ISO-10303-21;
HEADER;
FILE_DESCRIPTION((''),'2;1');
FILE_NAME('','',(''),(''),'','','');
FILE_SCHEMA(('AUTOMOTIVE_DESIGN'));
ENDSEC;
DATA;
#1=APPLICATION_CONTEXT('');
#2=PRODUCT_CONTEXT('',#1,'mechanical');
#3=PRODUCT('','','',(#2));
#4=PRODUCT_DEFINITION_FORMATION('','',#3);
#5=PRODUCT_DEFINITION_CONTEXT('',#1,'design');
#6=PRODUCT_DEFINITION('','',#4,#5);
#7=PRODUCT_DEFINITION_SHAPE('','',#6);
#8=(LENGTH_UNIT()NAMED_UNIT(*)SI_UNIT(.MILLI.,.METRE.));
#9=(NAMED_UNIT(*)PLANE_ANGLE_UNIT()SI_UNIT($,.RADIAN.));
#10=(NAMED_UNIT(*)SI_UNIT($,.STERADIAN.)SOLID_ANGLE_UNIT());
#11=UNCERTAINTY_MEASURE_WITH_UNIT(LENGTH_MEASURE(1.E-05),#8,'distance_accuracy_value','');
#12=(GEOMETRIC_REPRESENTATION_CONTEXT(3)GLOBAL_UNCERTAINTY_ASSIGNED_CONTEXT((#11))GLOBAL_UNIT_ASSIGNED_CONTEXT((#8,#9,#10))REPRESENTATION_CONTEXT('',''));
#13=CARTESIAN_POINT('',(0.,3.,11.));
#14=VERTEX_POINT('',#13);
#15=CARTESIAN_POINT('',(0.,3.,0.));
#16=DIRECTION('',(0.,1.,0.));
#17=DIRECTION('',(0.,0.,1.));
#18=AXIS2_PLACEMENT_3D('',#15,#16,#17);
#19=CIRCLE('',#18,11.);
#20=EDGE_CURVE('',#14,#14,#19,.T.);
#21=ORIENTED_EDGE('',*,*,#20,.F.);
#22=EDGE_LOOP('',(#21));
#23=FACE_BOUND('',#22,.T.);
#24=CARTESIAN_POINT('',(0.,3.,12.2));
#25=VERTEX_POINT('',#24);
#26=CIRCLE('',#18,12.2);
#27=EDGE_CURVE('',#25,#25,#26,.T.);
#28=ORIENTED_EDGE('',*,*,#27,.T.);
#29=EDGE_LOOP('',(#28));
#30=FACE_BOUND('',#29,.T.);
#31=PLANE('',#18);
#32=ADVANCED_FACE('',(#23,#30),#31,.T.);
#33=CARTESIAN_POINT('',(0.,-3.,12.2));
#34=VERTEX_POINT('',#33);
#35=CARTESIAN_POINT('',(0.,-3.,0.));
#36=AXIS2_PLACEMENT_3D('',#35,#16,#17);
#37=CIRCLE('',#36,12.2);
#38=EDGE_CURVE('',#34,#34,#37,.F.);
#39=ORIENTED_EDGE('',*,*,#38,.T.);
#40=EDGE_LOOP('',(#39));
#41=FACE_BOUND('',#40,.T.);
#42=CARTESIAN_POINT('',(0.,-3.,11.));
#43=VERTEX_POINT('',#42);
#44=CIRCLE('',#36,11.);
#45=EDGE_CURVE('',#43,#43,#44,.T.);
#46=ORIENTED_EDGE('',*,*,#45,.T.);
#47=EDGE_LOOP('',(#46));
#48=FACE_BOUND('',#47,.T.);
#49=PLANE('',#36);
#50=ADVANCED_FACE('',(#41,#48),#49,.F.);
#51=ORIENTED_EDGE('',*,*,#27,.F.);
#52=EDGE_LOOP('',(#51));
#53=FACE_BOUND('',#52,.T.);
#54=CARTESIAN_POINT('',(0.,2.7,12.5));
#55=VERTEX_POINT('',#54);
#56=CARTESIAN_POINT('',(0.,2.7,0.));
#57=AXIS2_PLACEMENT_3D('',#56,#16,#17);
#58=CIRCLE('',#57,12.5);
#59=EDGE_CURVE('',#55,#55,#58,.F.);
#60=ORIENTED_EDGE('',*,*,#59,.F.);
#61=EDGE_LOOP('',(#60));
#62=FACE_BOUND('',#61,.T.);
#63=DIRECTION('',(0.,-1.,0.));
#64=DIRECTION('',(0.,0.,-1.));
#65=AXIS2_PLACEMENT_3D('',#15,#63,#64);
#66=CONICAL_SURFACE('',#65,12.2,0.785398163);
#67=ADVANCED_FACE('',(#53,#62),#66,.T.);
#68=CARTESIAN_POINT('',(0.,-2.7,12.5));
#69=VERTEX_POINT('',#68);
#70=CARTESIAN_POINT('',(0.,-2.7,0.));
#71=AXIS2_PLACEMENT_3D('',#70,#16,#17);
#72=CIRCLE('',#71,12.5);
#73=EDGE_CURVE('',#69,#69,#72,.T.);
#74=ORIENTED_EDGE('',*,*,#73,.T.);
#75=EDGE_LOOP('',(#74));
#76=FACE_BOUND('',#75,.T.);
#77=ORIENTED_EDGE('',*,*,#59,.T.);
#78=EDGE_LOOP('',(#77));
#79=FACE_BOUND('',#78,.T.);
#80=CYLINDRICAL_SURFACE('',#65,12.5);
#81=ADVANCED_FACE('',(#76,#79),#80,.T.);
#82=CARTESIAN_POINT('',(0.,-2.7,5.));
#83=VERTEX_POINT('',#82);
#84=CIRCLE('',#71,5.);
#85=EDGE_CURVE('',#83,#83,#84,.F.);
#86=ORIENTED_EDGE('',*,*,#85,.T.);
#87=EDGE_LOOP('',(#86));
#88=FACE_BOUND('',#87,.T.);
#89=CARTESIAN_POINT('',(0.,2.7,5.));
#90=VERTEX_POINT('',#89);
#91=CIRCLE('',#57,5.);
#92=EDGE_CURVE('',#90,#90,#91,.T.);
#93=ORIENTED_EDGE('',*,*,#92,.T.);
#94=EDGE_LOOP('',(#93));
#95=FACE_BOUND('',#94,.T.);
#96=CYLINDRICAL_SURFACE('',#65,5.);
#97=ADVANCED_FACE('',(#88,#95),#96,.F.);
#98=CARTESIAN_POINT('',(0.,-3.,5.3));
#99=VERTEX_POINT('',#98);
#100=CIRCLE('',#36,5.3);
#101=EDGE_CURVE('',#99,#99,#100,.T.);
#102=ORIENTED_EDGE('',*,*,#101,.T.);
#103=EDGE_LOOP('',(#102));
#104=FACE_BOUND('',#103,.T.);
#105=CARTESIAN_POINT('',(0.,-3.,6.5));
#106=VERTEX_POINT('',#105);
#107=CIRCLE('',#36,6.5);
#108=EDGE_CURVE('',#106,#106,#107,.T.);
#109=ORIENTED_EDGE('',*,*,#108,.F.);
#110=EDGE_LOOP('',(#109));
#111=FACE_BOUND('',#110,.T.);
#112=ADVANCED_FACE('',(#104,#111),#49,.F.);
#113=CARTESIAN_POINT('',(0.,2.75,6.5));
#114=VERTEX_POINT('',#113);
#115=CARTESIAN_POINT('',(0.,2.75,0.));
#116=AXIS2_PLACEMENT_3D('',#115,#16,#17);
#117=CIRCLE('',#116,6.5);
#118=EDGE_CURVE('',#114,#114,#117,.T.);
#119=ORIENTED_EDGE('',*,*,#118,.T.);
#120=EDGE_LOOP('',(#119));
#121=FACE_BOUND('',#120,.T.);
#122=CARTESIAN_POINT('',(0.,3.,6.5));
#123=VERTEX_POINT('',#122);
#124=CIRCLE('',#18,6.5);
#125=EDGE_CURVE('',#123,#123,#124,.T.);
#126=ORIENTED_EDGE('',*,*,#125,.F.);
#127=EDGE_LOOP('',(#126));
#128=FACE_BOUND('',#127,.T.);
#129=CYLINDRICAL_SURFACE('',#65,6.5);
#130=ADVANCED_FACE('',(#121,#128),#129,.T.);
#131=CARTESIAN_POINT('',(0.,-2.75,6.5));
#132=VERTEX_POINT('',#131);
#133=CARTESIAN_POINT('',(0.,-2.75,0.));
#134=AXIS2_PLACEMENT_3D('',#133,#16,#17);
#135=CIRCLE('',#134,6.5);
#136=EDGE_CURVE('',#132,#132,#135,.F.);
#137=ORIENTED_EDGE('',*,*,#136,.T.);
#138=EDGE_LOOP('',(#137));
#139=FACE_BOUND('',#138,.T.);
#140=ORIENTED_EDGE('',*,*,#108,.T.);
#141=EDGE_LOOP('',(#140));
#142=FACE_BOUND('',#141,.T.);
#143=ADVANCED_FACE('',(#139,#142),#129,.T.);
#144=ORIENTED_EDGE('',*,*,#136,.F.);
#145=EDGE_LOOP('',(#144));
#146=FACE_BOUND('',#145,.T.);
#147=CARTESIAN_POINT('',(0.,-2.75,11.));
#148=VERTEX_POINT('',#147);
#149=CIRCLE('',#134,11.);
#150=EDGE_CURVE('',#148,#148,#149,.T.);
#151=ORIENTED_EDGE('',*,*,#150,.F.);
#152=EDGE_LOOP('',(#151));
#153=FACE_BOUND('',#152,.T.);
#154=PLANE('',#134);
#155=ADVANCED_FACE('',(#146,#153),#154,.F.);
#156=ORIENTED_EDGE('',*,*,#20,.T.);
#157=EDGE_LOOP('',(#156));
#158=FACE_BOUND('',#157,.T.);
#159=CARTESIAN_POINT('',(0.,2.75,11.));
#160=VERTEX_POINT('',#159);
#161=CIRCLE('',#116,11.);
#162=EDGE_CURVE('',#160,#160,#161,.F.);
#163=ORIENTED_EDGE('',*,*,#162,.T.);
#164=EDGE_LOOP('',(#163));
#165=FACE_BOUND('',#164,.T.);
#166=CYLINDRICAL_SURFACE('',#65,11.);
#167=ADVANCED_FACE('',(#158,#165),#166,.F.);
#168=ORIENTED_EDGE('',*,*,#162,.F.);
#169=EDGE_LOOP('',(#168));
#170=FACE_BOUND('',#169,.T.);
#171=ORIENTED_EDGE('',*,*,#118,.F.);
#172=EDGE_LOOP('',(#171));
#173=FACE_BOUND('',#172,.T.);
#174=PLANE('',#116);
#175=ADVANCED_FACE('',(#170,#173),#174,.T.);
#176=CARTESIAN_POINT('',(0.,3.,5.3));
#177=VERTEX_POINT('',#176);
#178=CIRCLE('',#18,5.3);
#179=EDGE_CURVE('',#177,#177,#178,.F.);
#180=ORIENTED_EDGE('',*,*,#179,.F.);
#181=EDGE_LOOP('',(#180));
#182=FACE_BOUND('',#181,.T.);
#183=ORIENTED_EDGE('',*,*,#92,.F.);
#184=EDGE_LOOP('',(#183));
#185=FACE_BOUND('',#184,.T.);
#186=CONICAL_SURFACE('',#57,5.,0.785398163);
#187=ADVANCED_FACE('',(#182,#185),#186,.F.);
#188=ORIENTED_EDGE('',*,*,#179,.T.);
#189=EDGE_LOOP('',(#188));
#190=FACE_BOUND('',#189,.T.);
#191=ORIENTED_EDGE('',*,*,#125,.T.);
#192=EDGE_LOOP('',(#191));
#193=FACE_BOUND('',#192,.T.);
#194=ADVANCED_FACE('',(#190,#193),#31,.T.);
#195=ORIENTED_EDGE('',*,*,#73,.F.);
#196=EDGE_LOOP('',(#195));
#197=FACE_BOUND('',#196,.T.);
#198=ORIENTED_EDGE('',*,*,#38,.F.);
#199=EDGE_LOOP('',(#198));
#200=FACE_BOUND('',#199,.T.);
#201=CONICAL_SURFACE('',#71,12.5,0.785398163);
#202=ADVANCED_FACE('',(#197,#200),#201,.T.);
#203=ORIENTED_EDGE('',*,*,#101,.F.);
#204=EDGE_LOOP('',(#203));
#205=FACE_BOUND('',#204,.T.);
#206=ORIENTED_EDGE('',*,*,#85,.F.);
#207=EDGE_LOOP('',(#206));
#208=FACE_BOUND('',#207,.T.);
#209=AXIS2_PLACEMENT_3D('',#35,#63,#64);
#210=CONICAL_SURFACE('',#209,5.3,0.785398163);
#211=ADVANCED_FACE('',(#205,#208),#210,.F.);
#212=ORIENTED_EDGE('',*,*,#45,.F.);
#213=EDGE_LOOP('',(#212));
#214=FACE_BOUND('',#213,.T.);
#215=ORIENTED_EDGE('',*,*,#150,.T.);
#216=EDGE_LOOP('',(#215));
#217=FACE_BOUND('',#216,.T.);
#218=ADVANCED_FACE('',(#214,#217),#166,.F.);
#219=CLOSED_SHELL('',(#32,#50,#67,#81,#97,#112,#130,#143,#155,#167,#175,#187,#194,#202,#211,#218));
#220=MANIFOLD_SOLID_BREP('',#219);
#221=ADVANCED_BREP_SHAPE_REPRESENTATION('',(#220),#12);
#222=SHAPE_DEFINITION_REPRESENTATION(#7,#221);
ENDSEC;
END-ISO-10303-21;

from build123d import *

# Parameters (mm, degrees)
SKETCH1_R           = 11
SKETCH1_R_2         = 6.5
BOSS_EXTRUDE1_DEPTH = 2.75
SKETCH1_3_R         = 12.5
SKETCH1_3_R_2       = 11
SKETCH1_3_R_3       = 6.5
SKETCH1_3_R_4       = 5
BOSS_EXTRUDE2_DEPTH = 3
CHAMFER1_SIZE       = 0.3


with BuildPart() as part:
    # Sketch1 → Boss-Extrude1 (new, symmetric)
    with BuildSketch(Plane(origin=(0, 0, 0), x_dir=(1, 0, 0), z_dir=(0, 1, 0))):
        Circle(SKETCH1_R)
        Circle(SKETCH1_R_2, mode=Mode.SUBTRACT)
    extrude(amount=BOSS_EXTRUDE1_DEPTH, both=True)

    # Sketch1<3> → Boss-Extrude2 (add, symmetric)
    # profile 1 of 2: a face of its own
    with BuildSketch(Plane(origin=(0, 0, 0), x_dir=(1, 0, 0), z_dir=(0, 1, 0))):
        Circle(SKETCH1_3_R)
        Circle(SKETCH1_3_R_2, mode=Mode.SUBTRACT)
    # profile 2 of 2: a face of its own
    with BuildSketch(Plane(origin=(0, 0, 0), x_dir=(1, 0, 0), z_dir=(0, 1, 0))):
        Circle(SKETCH1_3_R_3)
        Circle(SKETCH1_3_R_4, mode=Mode.SUBTRACT)
    extrude(amount=BOSS_EXTRUDE2_DEPTH, both=True)

    # Chamfer1
    chamfer1_edges = [part.edges().sort_by_distance(p)[0] for p in [
        (-5, -3, 0),
        (-5, 3, 0),
        (-12.5, -3, 0),
        (-12.5, 3, 0),
    ]]
    chamfer(chamfer1_edges, length=CHAMFER1_SIZE)


solid = part.part
